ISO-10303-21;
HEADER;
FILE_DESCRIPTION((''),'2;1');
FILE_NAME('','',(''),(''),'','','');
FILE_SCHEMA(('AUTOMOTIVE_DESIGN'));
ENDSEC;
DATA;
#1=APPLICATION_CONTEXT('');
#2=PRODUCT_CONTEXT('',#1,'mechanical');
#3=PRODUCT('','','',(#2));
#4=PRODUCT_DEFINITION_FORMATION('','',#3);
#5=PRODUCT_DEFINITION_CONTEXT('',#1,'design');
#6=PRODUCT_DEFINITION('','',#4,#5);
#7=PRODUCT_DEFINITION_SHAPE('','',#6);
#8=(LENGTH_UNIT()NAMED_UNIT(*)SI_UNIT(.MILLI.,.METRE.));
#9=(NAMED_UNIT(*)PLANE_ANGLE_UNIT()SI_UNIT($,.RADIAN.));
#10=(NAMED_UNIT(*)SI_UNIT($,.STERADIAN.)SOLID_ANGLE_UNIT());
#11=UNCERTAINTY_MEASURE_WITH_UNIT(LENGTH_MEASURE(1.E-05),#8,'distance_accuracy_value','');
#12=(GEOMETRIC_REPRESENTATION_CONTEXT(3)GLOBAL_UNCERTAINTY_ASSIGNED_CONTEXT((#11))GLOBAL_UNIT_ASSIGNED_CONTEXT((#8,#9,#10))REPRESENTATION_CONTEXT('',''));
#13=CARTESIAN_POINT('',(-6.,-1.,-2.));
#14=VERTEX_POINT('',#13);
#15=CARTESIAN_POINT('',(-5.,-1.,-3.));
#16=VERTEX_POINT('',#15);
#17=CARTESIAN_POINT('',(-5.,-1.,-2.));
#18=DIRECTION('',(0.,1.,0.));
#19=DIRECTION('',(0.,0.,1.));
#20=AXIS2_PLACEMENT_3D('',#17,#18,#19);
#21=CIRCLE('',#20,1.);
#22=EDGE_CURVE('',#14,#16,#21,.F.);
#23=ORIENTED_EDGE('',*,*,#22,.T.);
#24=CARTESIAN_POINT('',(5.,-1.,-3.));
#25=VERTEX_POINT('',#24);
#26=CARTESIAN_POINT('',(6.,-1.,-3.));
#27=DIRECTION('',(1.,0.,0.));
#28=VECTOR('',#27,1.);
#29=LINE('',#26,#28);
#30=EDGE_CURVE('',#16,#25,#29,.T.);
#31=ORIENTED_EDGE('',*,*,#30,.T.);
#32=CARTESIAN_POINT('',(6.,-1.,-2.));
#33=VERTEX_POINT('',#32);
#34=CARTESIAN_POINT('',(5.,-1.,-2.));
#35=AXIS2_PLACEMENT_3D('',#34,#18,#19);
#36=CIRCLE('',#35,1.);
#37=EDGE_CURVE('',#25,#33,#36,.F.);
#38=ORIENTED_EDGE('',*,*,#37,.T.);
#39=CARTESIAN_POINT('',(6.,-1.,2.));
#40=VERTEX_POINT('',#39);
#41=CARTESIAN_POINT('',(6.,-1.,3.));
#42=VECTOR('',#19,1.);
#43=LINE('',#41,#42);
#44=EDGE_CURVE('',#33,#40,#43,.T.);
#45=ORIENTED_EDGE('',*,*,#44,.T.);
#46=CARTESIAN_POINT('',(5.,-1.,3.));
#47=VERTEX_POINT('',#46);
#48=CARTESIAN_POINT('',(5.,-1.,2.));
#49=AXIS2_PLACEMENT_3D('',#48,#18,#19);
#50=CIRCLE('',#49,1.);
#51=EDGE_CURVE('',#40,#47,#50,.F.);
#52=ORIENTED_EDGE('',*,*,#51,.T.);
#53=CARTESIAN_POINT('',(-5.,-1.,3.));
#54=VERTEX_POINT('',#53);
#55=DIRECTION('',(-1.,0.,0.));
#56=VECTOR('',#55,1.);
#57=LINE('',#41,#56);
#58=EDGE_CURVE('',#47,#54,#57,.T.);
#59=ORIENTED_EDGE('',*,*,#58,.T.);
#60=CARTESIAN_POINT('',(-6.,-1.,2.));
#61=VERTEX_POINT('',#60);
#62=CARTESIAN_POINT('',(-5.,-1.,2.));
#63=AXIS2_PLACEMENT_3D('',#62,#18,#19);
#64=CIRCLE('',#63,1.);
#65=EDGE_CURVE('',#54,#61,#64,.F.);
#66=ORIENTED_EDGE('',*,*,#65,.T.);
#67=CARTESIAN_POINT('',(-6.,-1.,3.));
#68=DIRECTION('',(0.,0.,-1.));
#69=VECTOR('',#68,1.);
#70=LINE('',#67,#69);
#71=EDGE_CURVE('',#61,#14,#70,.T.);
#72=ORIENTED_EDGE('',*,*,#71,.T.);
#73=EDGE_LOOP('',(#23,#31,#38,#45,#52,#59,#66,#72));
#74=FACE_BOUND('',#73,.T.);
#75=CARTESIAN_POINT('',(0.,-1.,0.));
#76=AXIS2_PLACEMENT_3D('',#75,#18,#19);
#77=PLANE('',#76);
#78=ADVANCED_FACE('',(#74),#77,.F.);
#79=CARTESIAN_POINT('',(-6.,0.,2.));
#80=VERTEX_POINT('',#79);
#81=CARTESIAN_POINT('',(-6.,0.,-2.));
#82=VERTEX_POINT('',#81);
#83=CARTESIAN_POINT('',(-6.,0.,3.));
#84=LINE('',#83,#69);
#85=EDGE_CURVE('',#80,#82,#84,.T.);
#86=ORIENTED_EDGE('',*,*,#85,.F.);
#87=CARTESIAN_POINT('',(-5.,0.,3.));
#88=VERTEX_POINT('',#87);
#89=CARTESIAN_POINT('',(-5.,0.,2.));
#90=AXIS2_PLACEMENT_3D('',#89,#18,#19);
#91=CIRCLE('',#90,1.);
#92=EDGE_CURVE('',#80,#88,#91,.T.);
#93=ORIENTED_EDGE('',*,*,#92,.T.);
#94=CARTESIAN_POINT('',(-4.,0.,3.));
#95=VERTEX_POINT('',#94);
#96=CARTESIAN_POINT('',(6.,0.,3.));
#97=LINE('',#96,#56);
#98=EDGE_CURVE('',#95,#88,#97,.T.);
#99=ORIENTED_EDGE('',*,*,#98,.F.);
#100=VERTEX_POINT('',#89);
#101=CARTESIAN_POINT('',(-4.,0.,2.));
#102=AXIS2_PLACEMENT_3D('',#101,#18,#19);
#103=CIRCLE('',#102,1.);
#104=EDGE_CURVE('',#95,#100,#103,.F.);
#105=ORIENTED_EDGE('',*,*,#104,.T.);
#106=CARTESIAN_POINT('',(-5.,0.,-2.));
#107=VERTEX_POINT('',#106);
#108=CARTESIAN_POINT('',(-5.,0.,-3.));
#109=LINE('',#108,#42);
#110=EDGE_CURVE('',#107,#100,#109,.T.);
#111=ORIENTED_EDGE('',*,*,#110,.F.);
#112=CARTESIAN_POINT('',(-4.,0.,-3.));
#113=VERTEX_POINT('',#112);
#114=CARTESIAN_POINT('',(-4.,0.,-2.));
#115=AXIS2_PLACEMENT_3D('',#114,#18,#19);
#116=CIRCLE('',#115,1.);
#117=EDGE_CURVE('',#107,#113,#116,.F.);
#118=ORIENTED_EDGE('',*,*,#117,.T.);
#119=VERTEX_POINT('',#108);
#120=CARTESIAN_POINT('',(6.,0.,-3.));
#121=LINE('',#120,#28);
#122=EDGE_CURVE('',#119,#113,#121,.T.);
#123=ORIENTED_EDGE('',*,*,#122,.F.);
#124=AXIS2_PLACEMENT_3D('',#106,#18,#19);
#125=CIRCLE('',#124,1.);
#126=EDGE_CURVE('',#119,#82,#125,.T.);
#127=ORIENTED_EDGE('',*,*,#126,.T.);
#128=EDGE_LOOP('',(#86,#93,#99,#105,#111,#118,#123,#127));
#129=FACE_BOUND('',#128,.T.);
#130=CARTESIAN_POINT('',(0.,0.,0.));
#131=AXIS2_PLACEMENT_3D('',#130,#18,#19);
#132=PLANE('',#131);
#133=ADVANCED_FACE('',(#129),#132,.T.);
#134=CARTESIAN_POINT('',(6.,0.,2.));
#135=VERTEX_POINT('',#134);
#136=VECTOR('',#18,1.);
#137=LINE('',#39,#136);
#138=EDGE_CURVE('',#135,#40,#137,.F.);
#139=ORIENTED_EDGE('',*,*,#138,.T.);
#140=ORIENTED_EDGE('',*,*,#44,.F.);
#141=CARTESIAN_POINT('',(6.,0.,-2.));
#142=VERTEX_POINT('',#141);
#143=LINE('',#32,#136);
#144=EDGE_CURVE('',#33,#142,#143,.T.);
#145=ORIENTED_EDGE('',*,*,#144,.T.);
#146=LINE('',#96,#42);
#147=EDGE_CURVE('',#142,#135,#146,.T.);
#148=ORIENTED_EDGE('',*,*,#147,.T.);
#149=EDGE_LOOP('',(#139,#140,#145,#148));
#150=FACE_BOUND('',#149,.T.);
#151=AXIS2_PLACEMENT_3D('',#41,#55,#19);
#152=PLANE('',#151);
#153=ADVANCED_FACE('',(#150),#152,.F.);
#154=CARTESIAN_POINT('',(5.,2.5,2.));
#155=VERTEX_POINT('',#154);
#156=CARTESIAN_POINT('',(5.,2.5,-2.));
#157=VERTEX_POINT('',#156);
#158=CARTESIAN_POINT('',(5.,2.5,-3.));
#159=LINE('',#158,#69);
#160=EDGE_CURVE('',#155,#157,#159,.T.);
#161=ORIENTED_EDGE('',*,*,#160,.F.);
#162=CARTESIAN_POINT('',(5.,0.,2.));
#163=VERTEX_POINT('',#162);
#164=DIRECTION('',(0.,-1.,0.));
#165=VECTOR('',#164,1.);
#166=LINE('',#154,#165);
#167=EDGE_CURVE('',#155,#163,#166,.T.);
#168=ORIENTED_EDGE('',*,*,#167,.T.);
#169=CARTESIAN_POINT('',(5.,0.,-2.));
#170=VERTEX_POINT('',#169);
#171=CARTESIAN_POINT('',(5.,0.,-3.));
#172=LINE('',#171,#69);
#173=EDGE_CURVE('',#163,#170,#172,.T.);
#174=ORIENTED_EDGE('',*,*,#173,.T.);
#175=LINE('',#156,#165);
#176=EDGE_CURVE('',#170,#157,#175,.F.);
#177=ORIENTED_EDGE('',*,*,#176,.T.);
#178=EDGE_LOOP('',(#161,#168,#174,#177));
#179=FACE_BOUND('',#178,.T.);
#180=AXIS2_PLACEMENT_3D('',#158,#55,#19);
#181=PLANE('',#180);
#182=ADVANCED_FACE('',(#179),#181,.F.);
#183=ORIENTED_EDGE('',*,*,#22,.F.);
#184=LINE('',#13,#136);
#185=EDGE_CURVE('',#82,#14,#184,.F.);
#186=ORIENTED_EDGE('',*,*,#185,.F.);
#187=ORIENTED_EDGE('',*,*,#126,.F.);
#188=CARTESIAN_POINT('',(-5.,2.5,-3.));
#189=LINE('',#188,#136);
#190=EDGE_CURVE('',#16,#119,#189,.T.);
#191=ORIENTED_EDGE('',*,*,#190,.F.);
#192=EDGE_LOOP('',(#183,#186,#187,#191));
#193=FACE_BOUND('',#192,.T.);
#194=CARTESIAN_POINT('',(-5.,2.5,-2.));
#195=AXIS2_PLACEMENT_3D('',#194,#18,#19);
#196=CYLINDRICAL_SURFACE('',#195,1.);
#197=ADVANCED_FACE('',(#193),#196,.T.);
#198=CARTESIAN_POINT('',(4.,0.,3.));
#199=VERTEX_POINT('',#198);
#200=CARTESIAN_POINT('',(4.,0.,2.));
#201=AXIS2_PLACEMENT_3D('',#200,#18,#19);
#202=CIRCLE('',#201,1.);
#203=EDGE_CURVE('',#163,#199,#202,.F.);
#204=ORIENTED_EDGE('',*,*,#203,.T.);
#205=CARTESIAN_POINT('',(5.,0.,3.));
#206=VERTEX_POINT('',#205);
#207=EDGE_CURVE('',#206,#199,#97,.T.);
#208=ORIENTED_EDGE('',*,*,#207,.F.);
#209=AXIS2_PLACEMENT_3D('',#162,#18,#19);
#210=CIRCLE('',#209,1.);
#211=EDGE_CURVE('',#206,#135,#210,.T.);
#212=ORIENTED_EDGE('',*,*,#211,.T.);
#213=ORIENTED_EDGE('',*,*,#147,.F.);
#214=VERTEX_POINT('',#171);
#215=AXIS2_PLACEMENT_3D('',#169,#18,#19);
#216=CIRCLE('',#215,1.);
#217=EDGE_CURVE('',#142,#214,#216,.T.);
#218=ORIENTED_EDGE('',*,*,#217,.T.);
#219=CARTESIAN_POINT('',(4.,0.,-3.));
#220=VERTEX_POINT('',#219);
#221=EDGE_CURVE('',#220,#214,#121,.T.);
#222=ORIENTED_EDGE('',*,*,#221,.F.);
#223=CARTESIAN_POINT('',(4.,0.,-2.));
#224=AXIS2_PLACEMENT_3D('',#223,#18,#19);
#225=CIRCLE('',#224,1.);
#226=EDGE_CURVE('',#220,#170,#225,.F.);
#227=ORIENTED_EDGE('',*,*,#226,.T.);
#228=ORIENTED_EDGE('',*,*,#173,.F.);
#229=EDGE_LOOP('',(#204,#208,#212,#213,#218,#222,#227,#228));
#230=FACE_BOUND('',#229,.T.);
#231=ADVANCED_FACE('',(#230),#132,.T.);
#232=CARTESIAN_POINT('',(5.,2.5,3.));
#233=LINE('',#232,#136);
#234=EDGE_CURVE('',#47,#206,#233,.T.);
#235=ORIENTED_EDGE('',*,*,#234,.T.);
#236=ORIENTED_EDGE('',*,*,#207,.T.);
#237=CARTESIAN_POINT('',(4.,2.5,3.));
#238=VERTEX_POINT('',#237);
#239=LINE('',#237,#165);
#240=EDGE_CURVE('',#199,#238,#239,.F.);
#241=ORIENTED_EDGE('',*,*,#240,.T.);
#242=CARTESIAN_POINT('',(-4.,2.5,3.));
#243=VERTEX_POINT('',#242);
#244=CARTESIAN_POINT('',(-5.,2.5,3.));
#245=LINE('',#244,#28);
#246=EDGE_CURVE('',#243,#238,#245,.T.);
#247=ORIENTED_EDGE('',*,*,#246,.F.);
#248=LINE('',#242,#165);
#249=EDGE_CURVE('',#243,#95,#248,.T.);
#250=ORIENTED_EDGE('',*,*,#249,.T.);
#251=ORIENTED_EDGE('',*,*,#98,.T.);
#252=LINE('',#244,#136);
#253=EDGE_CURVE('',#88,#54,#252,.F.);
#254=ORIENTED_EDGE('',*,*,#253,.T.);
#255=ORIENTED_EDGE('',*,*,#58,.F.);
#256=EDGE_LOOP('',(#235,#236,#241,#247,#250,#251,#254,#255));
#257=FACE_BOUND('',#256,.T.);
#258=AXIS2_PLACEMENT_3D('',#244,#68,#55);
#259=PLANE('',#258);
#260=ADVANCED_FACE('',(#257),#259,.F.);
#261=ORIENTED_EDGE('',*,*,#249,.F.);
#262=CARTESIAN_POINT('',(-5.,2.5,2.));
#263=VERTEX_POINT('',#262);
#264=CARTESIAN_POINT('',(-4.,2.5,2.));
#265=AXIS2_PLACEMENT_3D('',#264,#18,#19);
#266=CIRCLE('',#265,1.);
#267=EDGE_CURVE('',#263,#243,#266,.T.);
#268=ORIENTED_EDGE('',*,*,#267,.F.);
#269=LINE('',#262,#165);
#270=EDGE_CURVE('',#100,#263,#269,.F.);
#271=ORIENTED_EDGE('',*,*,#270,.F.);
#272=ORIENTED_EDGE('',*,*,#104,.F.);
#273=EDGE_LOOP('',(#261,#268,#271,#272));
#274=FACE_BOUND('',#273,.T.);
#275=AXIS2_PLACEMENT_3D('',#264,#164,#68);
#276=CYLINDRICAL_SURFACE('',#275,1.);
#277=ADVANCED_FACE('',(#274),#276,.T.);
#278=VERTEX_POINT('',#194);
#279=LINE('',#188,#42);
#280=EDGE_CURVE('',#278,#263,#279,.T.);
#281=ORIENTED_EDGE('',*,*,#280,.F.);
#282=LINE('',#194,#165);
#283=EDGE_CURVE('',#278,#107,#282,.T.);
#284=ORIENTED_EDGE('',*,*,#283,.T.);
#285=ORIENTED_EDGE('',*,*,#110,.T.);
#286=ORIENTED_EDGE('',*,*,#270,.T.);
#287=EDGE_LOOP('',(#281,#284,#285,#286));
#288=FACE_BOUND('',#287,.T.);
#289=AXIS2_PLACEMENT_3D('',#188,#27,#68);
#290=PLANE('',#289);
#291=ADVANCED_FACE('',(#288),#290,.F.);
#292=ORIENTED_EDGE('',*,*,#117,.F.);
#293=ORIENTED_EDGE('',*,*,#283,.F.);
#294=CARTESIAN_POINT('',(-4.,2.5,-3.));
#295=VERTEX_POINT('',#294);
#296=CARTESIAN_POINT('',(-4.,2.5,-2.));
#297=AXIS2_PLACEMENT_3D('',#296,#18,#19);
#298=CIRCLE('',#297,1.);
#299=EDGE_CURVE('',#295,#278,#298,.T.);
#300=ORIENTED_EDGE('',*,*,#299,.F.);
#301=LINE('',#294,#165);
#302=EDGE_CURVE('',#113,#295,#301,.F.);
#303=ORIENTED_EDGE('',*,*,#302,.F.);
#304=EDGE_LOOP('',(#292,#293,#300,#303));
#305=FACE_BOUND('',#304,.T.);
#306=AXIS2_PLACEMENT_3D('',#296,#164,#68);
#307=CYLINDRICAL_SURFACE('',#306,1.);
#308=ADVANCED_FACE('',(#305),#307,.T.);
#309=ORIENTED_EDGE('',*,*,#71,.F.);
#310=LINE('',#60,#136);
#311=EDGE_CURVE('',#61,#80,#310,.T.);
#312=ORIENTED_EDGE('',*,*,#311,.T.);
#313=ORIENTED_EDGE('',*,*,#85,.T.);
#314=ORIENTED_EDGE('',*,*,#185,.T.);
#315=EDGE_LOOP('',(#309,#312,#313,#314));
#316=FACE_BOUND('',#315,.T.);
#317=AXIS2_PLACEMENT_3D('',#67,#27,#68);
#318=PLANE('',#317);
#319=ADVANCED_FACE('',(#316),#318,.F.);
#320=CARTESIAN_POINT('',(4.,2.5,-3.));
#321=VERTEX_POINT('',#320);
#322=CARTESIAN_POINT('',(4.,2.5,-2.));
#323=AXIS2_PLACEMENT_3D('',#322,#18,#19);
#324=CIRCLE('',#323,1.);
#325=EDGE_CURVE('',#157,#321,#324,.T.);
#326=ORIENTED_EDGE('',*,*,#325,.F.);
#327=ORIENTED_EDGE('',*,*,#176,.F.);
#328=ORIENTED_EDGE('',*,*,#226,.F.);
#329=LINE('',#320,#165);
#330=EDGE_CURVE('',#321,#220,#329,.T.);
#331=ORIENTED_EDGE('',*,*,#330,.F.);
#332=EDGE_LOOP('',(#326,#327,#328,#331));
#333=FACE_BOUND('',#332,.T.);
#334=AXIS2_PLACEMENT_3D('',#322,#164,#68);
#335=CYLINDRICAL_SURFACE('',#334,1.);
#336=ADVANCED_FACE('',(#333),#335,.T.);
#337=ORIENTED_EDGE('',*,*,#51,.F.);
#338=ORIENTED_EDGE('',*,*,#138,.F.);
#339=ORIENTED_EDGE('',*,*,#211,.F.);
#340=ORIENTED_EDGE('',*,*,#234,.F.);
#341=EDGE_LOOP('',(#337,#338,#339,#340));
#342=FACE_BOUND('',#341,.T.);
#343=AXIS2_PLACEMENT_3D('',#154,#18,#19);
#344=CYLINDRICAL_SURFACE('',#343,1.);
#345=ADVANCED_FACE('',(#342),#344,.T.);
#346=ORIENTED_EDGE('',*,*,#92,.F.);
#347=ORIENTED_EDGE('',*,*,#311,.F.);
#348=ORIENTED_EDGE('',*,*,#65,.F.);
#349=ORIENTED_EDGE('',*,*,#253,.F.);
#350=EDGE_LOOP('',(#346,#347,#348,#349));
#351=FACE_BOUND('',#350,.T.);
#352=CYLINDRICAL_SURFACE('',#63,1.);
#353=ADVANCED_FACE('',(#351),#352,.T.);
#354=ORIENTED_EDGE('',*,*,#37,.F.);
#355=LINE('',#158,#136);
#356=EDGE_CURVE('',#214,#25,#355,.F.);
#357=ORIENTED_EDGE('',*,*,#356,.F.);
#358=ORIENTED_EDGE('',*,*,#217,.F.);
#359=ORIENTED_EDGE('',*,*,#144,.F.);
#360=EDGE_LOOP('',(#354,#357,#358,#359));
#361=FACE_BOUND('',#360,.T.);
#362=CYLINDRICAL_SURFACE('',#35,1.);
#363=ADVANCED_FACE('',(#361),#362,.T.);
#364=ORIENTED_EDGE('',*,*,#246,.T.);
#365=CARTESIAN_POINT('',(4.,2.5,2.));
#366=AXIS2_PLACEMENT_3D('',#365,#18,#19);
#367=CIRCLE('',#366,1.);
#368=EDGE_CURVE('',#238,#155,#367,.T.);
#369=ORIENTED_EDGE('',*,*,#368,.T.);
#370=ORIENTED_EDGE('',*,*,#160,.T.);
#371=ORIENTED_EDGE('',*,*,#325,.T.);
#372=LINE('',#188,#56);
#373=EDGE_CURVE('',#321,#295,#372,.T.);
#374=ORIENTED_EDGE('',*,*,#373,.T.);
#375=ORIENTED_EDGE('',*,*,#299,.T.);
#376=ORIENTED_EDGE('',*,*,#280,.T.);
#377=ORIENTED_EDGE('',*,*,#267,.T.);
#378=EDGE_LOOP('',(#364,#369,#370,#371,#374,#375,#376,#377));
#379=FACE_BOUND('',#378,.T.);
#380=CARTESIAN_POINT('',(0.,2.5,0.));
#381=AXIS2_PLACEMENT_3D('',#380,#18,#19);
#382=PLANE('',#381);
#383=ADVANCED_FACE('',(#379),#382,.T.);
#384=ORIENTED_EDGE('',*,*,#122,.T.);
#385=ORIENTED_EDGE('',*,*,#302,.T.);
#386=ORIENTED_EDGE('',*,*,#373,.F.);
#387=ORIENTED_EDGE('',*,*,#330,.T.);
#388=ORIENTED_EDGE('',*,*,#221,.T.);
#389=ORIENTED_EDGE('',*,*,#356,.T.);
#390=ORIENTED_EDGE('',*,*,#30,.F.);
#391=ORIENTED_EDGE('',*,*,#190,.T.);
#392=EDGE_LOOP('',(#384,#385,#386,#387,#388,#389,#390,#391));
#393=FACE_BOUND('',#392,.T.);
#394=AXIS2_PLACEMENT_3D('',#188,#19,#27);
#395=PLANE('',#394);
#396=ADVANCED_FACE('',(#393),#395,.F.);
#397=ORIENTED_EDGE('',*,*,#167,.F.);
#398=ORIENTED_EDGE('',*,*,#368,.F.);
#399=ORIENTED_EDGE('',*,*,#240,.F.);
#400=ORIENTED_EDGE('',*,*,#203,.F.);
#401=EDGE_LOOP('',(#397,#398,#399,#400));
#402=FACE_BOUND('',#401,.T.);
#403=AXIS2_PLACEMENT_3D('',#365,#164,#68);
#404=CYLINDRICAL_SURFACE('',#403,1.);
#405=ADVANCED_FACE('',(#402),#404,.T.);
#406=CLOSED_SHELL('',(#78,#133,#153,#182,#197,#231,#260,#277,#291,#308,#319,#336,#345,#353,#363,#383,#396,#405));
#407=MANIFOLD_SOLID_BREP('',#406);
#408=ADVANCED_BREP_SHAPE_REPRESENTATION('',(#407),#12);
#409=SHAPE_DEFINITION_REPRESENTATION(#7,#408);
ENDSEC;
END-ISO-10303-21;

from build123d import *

# Parameters (mm, degrees)
SKETCH1_W           = 10
SKETCH1_H           = 6
BOSS_EXTRUDE1_DEPTH = 2.5
SKETCH2_W           = 12
SKETCH2_H           = 6
BOSS_EXTRUDE2_DEPTH = 1
FILLET1_R           = 1


with BuildPart() as part:
    # Sketch1 → Boss-Extrude1 (new body)
    with BuildSketch(Plane(origin=(0, 0, 0), x_dir=(1, 0, 0), z_dir=(0, 1, 0))):
        Rectangle(SKETCH1_W, SKETCH1_H)
    extrude(amount=BOSS_EXTRUDE1_DEPTH)

    # Sketch2 → Boss-Extrude2 (add)
    with BuildSketch(Plane.XZ):
        Rectangle(SKETCH2_W, SKETCH2_H)
    extrude(amount=BOSS_EXTRUDE2_DEPTH)

    # Fillet1
    fillet1_edges = [part.edges().sort_by_distance(p)[0] for p in [
        (6, -0.5, 3),
        (-6, -0.5, 3),
        (-5, 1.25, 3),
        (5, 1.25, 3),
        (6, -0.5, -3),
        (-6, -0.5, -3),
        (5, 1.25, -3),
        (-5, 1.25, -3),
    ]]
    fillet(fillet1_edges, radius=FILLET1_R)


solid = part.part
